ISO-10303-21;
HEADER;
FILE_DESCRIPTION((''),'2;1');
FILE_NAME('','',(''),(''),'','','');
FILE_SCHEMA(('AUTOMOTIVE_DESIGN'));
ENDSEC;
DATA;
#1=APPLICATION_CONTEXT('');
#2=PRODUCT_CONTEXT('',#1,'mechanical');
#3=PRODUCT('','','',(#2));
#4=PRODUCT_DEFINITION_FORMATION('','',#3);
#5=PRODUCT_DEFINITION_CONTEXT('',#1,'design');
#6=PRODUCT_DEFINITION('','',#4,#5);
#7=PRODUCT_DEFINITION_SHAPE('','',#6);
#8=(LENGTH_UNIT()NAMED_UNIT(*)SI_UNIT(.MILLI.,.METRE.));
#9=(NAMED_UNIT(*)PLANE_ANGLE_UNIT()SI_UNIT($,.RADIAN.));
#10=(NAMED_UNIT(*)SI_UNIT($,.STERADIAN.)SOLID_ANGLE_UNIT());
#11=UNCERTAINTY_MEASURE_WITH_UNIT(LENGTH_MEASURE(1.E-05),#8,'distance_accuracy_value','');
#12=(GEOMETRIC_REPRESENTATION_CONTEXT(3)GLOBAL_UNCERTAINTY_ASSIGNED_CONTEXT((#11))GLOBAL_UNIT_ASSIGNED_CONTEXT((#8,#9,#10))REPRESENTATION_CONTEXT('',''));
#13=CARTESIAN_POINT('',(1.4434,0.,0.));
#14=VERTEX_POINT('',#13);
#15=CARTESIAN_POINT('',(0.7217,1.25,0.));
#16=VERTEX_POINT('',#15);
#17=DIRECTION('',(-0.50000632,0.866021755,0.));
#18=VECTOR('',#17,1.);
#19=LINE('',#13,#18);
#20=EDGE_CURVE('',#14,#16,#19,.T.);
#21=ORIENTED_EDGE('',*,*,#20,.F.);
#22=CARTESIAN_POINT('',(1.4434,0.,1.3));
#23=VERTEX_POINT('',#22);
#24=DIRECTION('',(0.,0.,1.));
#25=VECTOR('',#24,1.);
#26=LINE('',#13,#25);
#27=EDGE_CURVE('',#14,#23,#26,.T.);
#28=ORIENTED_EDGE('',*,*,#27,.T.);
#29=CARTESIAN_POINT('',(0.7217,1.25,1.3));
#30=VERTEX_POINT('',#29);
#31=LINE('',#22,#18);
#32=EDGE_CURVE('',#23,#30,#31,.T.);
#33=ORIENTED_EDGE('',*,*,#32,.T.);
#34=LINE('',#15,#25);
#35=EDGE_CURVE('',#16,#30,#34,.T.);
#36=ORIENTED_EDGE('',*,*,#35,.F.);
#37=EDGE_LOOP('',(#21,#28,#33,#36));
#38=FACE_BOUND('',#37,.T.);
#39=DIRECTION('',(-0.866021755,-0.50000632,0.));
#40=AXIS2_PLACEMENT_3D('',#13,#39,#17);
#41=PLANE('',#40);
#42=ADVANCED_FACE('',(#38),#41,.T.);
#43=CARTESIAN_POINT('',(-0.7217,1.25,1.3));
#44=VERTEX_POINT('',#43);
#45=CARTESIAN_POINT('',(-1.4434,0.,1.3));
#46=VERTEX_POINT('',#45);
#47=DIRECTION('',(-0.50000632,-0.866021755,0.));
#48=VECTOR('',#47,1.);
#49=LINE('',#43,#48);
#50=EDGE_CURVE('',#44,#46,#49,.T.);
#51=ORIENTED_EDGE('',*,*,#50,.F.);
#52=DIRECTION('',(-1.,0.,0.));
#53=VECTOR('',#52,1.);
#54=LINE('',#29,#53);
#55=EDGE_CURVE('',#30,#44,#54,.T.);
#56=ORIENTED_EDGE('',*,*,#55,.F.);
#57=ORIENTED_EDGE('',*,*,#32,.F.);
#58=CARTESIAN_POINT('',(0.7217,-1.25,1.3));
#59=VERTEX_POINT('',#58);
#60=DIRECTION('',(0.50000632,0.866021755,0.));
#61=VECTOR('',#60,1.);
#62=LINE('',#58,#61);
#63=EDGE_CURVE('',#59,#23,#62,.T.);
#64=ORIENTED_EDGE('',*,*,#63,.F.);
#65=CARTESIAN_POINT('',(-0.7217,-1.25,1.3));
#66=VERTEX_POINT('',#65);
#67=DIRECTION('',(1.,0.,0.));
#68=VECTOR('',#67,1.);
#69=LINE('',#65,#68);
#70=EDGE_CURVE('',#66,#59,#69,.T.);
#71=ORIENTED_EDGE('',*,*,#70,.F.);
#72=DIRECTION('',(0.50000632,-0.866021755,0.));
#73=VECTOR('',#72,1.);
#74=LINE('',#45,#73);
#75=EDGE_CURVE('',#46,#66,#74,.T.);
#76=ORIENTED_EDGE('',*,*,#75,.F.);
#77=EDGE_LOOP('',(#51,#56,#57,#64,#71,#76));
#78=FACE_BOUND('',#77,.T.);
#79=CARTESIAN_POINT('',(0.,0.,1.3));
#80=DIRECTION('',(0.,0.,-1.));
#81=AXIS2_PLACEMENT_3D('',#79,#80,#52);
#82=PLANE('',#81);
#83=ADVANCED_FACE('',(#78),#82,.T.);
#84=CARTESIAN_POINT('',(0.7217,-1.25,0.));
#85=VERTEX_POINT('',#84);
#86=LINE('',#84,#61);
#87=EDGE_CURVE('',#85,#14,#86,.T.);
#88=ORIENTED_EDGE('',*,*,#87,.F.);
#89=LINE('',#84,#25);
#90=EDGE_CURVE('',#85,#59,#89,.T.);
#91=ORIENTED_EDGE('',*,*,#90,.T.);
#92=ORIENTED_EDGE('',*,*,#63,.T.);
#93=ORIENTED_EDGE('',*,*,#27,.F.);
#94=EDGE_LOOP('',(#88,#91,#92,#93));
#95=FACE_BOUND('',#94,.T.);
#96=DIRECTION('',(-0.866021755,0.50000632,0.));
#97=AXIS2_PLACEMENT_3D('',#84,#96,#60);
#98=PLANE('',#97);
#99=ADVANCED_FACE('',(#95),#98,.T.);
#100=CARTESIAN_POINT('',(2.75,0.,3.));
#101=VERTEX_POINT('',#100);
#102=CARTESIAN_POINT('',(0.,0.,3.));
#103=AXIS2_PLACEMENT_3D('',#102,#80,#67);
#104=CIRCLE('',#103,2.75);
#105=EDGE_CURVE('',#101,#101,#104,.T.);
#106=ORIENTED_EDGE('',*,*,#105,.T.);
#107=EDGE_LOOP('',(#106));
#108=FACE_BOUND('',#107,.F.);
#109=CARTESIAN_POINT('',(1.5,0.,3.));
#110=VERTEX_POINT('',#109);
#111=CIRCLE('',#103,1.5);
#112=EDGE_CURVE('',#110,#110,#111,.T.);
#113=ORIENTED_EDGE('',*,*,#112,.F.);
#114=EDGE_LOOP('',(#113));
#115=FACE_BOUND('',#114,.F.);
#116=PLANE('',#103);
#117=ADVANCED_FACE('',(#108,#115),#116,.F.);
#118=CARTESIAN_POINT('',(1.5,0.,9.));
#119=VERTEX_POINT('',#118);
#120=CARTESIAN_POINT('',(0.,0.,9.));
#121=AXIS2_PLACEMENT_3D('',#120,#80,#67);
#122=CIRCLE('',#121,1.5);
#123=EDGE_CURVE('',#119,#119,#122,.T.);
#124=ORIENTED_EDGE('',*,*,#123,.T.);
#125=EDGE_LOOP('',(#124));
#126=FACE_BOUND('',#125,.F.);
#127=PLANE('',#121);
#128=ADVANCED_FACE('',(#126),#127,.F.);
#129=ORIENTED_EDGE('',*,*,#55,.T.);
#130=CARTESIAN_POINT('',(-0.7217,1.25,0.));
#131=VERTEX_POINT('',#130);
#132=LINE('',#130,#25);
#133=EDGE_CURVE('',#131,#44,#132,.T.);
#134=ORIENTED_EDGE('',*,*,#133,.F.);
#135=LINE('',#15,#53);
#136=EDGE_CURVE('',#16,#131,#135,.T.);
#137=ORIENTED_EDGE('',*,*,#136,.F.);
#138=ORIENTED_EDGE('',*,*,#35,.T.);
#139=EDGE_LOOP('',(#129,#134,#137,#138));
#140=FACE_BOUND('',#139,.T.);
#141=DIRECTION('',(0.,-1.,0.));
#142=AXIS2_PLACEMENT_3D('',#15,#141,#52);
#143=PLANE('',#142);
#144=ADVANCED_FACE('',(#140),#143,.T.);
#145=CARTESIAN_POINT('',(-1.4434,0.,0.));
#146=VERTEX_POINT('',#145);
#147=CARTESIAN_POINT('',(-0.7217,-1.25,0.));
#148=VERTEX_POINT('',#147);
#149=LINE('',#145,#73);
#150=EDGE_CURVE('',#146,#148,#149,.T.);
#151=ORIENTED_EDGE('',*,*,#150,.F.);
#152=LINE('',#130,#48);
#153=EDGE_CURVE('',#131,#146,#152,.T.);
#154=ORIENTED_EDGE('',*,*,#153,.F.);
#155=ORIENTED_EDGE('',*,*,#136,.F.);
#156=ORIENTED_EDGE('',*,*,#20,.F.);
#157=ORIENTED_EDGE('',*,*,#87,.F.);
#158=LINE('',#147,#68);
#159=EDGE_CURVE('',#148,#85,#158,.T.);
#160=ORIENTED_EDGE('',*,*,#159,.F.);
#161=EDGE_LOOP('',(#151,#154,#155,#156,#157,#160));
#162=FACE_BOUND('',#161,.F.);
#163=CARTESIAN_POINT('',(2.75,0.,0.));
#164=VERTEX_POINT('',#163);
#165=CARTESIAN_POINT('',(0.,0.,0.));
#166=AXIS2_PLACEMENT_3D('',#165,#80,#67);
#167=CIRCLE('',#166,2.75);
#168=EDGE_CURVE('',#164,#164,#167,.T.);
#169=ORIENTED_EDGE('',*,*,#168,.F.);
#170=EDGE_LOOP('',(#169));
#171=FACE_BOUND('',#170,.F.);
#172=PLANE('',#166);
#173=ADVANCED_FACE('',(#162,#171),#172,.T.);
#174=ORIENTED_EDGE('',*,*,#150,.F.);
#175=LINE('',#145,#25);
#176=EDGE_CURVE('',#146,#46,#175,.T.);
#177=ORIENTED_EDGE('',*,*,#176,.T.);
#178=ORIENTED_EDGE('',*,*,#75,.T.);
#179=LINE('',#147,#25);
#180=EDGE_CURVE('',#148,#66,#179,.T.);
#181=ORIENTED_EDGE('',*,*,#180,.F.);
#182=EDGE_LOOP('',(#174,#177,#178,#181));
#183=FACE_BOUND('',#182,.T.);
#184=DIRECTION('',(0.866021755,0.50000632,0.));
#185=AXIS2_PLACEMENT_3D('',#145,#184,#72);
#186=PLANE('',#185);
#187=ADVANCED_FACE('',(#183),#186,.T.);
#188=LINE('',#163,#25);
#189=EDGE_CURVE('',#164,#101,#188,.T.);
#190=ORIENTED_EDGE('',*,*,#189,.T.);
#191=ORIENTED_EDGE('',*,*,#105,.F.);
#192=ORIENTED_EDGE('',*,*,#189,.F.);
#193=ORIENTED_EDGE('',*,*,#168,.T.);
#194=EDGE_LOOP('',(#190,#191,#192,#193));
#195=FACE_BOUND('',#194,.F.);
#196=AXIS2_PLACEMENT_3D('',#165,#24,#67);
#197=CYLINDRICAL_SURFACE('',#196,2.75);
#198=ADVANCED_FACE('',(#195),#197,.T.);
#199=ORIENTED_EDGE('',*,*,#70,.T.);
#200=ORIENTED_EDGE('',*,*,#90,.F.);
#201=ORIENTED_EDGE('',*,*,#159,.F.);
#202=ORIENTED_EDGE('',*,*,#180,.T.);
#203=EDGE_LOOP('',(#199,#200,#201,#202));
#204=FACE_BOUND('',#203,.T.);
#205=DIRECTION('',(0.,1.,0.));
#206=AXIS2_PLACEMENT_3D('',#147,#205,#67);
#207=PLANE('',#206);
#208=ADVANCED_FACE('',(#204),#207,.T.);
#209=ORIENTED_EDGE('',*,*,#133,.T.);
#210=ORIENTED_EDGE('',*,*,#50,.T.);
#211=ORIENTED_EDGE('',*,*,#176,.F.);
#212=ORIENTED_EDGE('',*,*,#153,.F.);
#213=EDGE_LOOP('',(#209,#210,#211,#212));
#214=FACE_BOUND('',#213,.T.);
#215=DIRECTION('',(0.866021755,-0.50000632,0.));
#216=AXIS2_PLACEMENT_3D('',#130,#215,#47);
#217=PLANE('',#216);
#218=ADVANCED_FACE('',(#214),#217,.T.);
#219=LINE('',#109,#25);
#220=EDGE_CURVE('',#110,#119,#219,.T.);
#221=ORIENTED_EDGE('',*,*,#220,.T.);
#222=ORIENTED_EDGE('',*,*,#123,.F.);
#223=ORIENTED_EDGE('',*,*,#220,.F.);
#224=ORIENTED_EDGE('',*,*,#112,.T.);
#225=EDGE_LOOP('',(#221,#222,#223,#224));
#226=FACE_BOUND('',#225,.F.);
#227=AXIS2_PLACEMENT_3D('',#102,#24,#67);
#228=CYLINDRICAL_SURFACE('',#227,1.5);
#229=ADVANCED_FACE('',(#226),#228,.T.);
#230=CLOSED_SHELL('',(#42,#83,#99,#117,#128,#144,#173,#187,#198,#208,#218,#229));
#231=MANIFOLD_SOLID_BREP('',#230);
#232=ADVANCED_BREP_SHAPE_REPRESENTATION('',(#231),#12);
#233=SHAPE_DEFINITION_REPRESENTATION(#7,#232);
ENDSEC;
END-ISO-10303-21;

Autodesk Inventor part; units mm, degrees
ref_plane "YZ Plane" through (0, 0, 0) normal (1, 0, 0) x (0, 1, 0)
ref_plane "XZ Plane" through (0, 0, 0) normal (0, 1, 0) x (-1, 0, 0)
ref_plane "XY Plane" through (0, 0, 0) normal (0, 0, 1) x (1, 0, 0)
sketch "Sketch1" plane through (0, 0, 0) normal (0, 1, 0) x (-1, 0, 0)
  line L0 (0, 0) -> (-2.75, 0)
  line L1 (-2.75, 0) -> (-2.75, 3)
  line L2 (-2.75, 3) -> (-1.5, 3)
  line L3 (-1.5, 3) -> (-1.5, 9)
  line L4 (-1.5, 9) -> (0, 9)
  line L5 (0, 9) -> (0, 0)
  dimension "ScrewLength" = 6
  dimension "Diameter" = 5.5
  dimension "Metric" = 3
  dimension "HeadLength" = 3
revolve "Revolution1" add sketch "Sketch1" angle 360 about axis through (0, 0, 9) along (0, 0, -1)
thread "Thread1" size "M3x0.5" class "6g" standard "ANSI Metric M Profile" full length
sketch "Sketch2" plane through (0, 0, 0) normal (0, 0, -1) x (-1, 0, 0)
  line L0 (0.7217, 1.25) -> (1.4434, 0)
  line L1 (1.4434, 0) -> (0.7217, -1.25)
  line L2 (0.7217, -1.25) -> (-0.7217, -1.25)
  line L3 (-0.7217, -1.25) -> (-1.4434, 0)
  line L4 (-1.4434, 0) -> (-0.7217, 1.25)
  line L5 (-0.7217, 1.25) -> (0.7217, 1.25)
  point P0 (0, 0)
  point P1 (0, 0)
  dimension "WidthAcrossFlat" = 2.5
extrude "Extrusion1" cut sketch "Sketch2" against normal blind 1.3
properties part number "PCC-0306" material "Polycarbonate, Clear"
